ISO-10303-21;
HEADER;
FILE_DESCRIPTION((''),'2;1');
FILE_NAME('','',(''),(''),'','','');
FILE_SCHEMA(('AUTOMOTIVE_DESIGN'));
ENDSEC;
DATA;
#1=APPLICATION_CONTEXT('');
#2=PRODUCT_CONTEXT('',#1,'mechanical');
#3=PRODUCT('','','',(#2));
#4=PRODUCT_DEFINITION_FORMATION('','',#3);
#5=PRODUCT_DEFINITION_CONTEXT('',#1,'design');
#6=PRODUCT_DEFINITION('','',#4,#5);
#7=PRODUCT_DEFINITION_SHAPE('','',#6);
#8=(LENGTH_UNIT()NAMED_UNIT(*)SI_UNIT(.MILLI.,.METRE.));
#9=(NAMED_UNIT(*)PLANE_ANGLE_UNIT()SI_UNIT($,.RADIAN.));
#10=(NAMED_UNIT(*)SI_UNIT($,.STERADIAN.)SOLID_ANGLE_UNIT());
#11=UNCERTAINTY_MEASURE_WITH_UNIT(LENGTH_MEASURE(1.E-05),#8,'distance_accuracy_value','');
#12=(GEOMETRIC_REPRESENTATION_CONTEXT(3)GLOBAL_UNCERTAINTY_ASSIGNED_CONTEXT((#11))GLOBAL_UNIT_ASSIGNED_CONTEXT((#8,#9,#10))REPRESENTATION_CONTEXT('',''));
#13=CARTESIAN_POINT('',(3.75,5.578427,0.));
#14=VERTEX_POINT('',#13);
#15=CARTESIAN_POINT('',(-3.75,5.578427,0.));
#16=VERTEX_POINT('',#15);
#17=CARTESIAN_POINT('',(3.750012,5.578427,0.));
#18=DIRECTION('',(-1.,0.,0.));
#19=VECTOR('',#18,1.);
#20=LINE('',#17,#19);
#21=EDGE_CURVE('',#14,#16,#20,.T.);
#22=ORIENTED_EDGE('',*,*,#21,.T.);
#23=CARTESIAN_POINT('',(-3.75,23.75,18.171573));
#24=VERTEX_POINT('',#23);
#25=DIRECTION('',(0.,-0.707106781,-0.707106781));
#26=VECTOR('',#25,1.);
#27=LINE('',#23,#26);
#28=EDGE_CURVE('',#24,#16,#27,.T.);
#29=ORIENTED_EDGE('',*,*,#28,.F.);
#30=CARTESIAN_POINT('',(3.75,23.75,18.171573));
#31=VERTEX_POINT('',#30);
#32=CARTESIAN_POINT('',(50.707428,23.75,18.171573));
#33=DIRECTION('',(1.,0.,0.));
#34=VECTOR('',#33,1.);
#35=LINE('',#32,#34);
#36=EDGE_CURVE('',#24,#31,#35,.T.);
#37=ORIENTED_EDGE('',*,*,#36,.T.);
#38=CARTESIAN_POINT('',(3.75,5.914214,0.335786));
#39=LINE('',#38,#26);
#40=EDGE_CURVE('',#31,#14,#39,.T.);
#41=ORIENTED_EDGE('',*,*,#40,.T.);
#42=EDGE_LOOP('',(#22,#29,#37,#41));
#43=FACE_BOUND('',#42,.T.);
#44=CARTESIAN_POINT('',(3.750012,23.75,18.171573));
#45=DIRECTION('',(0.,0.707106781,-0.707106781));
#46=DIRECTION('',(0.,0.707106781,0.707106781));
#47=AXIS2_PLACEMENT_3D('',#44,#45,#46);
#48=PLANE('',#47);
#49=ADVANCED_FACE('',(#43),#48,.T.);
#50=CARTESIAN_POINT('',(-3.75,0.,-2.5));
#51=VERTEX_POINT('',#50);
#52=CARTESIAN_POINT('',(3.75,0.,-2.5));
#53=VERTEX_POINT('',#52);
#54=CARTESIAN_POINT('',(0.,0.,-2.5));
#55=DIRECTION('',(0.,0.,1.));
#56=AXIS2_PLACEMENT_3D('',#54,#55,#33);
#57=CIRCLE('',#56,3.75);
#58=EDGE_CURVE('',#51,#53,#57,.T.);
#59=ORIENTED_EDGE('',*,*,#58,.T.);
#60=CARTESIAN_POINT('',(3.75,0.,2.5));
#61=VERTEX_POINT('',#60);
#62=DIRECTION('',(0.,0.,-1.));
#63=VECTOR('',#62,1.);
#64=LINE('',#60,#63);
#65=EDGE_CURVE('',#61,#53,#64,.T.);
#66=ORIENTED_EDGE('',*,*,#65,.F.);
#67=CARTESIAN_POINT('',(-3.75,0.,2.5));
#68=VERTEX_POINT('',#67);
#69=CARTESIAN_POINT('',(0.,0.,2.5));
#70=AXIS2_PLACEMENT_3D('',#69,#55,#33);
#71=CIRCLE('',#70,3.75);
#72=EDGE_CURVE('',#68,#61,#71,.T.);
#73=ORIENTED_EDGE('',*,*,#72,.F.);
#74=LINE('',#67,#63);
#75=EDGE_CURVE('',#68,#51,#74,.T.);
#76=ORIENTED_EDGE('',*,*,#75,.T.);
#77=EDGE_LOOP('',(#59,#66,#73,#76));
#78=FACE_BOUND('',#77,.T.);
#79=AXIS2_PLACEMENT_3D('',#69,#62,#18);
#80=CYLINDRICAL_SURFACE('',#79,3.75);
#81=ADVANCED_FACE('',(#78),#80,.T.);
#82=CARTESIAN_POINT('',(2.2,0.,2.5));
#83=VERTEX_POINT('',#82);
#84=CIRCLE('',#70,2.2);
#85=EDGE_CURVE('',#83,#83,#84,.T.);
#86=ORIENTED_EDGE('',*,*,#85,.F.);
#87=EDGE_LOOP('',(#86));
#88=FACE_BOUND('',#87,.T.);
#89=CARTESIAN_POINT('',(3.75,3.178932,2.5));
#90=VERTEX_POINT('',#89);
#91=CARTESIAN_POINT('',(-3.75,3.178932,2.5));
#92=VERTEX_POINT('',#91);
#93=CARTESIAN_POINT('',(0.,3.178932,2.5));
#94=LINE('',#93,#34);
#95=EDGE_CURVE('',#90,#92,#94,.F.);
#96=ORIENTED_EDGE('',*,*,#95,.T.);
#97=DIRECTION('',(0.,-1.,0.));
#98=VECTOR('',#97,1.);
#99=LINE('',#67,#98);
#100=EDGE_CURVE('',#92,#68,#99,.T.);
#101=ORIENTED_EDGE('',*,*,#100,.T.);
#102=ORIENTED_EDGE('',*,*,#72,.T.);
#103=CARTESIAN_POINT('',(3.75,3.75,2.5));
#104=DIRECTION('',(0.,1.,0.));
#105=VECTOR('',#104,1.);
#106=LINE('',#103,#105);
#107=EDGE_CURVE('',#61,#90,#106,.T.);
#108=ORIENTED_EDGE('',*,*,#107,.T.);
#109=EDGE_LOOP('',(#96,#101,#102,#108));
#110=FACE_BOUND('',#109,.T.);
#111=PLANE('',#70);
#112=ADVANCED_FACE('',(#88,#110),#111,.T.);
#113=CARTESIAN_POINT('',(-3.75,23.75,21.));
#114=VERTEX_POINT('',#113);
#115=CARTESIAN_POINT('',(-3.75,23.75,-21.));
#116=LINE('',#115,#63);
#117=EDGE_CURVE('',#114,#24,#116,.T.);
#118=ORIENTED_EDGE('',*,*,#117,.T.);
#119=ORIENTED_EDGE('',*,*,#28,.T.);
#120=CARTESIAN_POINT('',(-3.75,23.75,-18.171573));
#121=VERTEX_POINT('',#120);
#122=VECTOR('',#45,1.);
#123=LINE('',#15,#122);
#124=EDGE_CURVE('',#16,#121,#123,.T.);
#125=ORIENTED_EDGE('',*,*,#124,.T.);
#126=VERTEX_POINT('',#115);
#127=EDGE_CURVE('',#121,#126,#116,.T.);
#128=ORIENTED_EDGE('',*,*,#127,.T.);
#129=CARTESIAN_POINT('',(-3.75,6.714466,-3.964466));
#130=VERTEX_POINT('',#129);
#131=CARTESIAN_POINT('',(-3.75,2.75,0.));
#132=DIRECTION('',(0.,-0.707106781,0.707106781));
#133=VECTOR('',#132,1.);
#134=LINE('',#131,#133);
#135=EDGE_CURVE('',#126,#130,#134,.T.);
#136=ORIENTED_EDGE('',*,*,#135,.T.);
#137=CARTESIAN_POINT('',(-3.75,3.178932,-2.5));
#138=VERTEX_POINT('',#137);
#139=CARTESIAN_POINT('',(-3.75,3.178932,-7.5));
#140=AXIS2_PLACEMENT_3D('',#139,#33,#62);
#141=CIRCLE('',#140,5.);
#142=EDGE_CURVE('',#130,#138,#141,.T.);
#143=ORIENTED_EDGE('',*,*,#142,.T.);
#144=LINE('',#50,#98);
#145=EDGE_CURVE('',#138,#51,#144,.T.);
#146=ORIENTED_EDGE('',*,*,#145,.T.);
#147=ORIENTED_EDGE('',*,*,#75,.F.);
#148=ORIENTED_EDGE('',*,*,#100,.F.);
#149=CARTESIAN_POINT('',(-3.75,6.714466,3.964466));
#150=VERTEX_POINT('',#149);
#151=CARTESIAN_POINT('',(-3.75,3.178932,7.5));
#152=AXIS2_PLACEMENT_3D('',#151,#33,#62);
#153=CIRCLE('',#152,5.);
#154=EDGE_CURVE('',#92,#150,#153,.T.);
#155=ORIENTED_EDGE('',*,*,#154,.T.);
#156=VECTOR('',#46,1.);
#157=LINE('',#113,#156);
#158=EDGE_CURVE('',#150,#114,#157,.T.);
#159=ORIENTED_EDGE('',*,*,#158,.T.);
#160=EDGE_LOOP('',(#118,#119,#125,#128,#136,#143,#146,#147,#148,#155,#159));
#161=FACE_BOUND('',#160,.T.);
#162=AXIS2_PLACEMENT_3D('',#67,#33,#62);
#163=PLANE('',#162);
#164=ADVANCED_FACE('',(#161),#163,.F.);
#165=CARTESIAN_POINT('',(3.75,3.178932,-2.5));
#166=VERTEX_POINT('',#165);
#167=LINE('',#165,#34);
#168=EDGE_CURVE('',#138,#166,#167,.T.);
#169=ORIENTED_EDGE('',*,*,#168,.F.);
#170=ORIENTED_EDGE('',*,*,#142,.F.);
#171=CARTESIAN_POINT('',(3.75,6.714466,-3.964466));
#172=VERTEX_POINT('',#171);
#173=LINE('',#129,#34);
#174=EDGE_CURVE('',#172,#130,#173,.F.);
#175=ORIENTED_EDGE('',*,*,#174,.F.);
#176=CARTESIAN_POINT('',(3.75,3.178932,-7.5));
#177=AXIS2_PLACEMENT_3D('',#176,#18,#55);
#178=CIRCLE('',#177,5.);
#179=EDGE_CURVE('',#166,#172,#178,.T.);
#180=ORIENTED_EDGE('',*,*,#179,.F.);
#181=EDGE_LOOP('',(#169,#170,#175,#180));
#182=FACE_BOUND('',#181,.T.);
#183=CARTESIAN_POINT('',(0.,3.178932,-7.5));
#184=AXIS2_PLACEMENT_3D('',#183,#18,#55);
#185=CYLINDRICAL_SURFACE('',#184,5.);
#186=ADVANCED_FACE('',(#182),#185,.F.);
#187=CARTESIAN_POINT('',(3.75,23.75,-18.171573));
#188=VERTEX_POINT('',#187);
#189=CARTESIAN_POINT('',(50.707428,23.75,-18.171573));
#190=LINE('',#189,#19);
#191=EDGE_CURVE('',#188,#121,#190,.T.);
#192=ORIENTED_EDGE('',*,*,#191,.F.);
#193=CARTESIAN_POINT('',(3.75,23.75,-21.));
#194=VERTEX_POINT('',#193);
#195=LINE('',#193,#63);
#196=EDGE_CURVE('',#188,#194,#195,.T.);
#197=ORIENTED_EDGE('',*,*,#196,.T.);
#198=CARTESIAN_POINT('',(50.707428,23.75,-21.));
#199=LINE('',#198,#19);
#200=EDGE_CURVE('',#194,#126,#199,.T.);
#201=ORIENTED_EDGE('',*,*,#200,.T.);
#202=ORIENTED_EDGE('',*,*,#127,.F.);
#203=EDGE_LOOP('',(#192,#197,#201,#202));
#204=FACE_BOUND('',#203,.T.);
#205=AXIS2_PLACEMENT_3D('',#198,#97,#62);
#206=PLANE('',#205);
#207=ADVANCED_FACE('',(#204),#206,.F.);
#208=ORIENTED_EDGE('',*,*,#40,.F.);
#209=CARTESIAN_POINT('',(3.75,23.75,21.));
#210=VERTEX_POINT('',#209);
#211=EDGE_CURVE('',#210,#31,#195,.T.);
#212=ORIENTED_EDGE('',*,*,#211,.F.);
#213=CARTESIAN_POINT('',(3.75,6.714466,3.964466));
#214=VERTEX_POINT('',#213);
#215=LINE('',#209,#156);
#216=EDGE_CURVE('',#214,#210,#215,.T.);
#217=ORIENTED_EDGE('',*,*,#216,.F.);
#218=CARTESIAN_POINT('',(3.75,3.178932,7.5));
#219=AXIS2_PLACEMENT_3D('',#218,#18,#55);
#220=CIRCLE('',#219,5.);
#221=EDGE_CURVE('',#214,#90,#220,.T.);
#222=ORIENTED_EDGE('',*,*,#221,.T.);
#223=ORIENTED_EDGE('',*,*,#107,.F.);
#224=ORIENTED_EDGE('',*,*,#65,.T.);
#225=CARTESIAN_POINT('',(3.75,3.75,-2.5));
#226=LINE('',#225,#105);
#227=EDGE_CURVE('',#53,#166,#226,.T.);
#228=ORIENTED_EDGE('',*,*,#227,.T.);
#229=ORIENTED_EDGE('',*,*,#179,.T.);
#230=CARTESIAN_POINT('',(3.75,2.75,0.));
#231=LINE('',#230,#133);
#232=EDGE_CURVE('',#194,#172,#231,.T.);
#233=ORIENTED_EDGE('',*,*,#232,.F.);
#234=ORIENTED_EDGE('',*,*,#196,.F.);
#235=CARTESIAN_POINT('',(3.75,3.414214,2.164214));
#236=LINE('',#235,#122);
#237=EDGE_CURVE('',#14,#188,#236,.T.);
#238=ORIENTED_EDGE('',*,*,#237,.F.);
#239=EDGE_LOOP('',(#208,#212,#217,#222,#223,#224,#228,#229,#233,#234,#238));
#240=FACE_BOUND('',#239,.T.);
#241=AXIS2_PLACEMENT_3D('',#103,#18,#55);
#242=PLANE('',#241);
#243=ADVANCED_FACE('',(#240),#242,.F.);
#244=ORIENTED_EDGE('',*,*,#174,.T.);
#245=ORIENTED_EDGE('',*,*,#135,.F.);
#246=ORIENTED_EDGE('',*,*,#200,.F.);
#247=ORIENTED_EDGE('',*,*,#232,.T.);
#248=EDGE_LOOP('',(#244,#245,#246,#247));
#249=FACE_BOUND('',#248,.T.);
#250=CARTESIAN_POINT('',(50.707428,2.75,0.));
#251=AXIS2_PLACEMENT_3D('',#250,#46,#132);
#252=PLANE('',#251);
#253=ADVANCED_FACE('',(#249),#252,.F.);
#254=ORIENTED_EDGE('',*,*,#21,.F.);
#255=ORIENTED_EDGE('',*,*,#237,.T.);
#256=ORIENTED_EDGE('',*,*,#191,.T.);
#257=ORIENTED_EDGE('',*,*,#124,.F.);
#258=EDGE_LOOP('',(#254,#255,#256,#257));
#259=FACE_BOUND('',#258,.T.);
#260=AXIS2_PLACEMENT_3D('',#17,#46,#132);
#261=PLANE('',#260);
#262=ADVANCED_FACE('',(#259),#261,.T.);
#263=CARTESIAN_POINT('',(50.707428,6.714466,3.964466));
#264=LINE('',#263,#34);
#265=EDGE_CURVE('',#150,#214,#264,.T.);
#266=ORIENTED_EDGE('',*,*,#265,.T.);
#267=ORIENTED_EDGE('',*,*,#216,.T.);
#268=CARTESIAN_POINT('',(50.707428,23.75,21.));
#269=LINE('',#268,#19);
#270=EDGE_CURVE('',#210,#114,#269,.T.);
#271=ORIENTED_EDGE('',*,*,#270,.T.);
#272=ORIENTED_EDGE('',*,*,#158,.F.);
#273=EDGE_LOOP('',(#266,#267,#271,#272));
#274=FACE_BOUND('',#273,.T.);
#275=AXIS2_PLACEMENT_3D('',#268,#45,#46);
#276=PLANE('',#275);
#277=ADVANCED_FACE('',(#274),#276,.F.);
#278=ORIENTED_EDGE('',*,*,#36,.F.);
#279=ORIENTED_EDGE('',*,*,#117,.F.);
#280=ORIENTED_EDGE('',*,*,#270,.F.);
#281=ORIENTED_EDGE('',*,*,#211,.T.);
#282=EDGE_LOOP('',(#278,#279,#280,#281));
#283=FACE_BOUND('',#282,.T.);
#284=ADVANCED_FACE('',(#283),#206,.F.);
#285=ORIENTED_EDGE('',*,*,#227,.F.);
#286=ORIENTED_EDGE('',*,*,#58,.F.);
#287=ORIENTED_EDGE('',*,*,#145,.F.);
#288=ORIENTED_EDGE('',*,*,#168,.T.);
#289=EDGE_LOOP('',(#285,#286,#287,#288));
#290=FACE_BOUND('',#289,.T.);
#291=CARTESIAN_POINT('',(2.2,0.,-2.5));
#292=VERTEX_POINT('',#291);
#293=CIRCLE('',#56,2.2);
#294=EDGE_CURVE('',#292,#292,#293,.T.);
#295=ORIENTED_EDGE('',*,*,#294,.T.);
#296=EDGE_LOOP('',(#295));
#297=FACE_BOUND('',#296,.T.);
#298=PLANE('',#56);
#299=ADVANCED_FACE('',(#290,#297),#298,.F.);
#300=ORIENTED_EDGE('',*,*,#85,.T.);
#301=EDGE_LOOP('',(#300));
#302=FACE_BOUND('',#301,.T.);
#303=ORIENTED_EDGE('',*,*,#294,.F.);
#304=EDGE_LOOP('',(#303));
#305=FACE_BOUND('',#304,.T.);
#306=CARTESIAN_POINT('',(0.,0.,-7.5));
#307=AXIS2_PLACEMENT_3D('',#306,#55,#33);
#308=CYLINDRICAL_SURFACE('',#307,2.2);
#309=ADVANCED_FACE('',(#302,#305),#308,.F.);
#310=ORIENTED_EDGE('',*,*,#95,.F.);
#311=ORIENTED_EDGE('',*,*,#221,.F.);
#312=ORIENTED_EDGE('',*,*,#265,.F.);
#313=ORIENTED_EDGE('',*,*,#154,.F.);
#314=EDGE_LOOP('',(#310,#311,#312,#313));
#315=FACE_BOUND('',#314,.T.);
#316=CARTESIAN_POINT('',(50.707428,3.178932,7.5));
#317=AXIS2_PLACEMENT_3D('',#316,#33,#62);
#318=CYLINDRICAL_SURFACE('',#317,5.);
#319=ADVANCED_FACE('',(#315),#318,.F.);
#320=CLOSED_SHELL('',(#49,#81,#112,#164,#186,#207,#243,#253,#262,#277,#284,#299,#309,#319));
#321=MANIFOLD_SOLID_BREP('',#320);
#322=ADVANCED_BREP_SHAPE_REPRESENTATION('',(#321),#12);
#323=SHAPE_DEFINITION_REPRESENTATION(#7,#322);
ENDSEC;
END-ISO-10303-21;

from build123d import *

# Parameters (mm, degrees)
BOSS_EXTRUDE1_DEPTH             = 2.5
BOSS_EXTRUDE2_REACH             = 7.863
BOSS_EXTRUDE2_DIRECTION_2_REACH = 7.863
CUT_EXTRUDE2_DEPTH              = 33.577791515
CUT_EXTRUDE2_DEPTH_BACK         = 33.577791515
SKETCH5_W                       = 5
SKETCH5_H                       = 1.5
BOSS_EXTRUDE3_DEPTH             = 7.5
SKETCH6_R                       = 2.2
CUT_EXTRUDE4_DEPTH              = 10
FILLET1_R                       = 5


with BuildPart() as part:
    # Sketch1 → Boss-Extrude1 (new, symmetric)
    with BuildSketch(Plane.XY):
        with BuildLine():
            Line((-3.75, 0), (-3.75, 3.75))
            Line((-3.75, 3.75), (3.75, 3.75))
            Line((3.75, 3.75), (3.75, 0))
            ThreePointArc((3.75, 0), (0, -3.75), (-3.75, 0))
        make_face()
    extrude(amount=BOSS_EXTRUDE1_DEPTH, both=True)

    # Boss-Extrude2: up to this face of the body (flat: up to its plane)
    boss_extrude2_end = Plane(part.part.faces().sort_by_distance((3.75, 1.875, 0))[0])
    # Sketch3 → Boss-Extrude2 (add, up to the picked face)
    with BuildSketch(Plane(origin=(0, 0, 0), x_dir=(0, 0, -1), z_dir=(1, 0, 0)), mode=Mode.PRIVATE) as boss_extrude2_sk1:
        Polygon((0, 2.75), (21, 23.75), (-21, 23.75), align=None)
    boss_extrude2_tool1 = split(extrude(boss_extrude2_sk1.sketch, amount=BOSS_EXTRUDE2_REACH, mode=Mode.PRIVATE), bisect_by=boss_extrude2_end, keep=Keep.BOTH, mode=Mode.PRIVATE)
    add(boss_extrude2_tool1.solids().sort_by(Axis((0, 16.75, 0), (1, 0, 0)))[0])

    # Boss-Extrude2 direction 2: up to this face of the body (flat: up to its plane)
    boss_extrude2_direction_2_end = Plane(part.part.faces().sort_by_distance((-3.75, 1.875, 0))[0])
    # Sketch3 → Boss-Extrude2 direction 2 (add, up to the picked face)
    with BuildSketch(Plane(origin=(0, 0, 0), x_dir=(0, 0, -1), z_dir=(1, 0, 0)), mode=Mode.PRIVATE) as boss_extrude2_direction_2_sk1:
        Polygon((0, 2.75), (21, 23.75), (-21, 23.75), align=None)
    boss_extrude2_direction_2_tool1 = split(extrude(boss_extrude2_direction_2_sk1.sketch, amount=-BOSS_EXTRUDE2_DIRECTION_2_REACH, mode=Mode.PRIVATE), bisect_by=boss_extrude2_direction_2_end, keep=Keep.BOTH, mode=Mode.PRIVATE)
    add(boss_extrude2_direction_2_tool1.solids().sort_by(Axis((0, 16.75, 0), (-1, 0, 0)))[0])

    # Sketch4 → Cut-Extrude2 (cut, two sides: drawn at the far end of the back side and taken through both)
    with BuildSketch(Plane(origin=(3.75, 0, 0), x_dir=(0, 0, -1), z_dir=(1, 0, 0)).offset(-CUT_EXTRUDE2_DEPTH_BACK)):
        Polygon((-18.171572875, 23.75), (0, 5.578427125), (18.171572875, 23.75), align=None)
    extrude(amount=CUT_EXTRUDE2_DEPTH + CUT_EXTRUDE2_DEPTH_BACK, mode=Mode.SUBTRACT)

    # Sketch5 → Boss-Extrude3 (add)
    with BuildSketch(Plane(origin=(3.75, 0, 0), x_dir=(0, 0, -1), z_dir=(1, 0, 0))):
        with Locations((0, 4.5)):
            Rectangle(SKETCH5_W, SKETCH5_H)
    extrude(amount=-BOSS_EXTRUDE3_DEPTH)

    # Sketch6 → Cut-Extrude4 (cut)
    with BuildSketch(Plane.XY.offset(2.5)):
        Circle(SKETCH6_R)
    extrude(amount=-CUT_EXTRUDE4_DEPTH, mode=Mode.SUBTRACT)

    # Fillet1
    fillet1_edges = [part.edges().sort_by_distance(p)[0] for p in [
        (0, 5.25, 2.5),
        (0, 5.25, -2.5),
    ]]
    fillet(fillet1_edges, radius=FILLET1_R)


solid = part.part
